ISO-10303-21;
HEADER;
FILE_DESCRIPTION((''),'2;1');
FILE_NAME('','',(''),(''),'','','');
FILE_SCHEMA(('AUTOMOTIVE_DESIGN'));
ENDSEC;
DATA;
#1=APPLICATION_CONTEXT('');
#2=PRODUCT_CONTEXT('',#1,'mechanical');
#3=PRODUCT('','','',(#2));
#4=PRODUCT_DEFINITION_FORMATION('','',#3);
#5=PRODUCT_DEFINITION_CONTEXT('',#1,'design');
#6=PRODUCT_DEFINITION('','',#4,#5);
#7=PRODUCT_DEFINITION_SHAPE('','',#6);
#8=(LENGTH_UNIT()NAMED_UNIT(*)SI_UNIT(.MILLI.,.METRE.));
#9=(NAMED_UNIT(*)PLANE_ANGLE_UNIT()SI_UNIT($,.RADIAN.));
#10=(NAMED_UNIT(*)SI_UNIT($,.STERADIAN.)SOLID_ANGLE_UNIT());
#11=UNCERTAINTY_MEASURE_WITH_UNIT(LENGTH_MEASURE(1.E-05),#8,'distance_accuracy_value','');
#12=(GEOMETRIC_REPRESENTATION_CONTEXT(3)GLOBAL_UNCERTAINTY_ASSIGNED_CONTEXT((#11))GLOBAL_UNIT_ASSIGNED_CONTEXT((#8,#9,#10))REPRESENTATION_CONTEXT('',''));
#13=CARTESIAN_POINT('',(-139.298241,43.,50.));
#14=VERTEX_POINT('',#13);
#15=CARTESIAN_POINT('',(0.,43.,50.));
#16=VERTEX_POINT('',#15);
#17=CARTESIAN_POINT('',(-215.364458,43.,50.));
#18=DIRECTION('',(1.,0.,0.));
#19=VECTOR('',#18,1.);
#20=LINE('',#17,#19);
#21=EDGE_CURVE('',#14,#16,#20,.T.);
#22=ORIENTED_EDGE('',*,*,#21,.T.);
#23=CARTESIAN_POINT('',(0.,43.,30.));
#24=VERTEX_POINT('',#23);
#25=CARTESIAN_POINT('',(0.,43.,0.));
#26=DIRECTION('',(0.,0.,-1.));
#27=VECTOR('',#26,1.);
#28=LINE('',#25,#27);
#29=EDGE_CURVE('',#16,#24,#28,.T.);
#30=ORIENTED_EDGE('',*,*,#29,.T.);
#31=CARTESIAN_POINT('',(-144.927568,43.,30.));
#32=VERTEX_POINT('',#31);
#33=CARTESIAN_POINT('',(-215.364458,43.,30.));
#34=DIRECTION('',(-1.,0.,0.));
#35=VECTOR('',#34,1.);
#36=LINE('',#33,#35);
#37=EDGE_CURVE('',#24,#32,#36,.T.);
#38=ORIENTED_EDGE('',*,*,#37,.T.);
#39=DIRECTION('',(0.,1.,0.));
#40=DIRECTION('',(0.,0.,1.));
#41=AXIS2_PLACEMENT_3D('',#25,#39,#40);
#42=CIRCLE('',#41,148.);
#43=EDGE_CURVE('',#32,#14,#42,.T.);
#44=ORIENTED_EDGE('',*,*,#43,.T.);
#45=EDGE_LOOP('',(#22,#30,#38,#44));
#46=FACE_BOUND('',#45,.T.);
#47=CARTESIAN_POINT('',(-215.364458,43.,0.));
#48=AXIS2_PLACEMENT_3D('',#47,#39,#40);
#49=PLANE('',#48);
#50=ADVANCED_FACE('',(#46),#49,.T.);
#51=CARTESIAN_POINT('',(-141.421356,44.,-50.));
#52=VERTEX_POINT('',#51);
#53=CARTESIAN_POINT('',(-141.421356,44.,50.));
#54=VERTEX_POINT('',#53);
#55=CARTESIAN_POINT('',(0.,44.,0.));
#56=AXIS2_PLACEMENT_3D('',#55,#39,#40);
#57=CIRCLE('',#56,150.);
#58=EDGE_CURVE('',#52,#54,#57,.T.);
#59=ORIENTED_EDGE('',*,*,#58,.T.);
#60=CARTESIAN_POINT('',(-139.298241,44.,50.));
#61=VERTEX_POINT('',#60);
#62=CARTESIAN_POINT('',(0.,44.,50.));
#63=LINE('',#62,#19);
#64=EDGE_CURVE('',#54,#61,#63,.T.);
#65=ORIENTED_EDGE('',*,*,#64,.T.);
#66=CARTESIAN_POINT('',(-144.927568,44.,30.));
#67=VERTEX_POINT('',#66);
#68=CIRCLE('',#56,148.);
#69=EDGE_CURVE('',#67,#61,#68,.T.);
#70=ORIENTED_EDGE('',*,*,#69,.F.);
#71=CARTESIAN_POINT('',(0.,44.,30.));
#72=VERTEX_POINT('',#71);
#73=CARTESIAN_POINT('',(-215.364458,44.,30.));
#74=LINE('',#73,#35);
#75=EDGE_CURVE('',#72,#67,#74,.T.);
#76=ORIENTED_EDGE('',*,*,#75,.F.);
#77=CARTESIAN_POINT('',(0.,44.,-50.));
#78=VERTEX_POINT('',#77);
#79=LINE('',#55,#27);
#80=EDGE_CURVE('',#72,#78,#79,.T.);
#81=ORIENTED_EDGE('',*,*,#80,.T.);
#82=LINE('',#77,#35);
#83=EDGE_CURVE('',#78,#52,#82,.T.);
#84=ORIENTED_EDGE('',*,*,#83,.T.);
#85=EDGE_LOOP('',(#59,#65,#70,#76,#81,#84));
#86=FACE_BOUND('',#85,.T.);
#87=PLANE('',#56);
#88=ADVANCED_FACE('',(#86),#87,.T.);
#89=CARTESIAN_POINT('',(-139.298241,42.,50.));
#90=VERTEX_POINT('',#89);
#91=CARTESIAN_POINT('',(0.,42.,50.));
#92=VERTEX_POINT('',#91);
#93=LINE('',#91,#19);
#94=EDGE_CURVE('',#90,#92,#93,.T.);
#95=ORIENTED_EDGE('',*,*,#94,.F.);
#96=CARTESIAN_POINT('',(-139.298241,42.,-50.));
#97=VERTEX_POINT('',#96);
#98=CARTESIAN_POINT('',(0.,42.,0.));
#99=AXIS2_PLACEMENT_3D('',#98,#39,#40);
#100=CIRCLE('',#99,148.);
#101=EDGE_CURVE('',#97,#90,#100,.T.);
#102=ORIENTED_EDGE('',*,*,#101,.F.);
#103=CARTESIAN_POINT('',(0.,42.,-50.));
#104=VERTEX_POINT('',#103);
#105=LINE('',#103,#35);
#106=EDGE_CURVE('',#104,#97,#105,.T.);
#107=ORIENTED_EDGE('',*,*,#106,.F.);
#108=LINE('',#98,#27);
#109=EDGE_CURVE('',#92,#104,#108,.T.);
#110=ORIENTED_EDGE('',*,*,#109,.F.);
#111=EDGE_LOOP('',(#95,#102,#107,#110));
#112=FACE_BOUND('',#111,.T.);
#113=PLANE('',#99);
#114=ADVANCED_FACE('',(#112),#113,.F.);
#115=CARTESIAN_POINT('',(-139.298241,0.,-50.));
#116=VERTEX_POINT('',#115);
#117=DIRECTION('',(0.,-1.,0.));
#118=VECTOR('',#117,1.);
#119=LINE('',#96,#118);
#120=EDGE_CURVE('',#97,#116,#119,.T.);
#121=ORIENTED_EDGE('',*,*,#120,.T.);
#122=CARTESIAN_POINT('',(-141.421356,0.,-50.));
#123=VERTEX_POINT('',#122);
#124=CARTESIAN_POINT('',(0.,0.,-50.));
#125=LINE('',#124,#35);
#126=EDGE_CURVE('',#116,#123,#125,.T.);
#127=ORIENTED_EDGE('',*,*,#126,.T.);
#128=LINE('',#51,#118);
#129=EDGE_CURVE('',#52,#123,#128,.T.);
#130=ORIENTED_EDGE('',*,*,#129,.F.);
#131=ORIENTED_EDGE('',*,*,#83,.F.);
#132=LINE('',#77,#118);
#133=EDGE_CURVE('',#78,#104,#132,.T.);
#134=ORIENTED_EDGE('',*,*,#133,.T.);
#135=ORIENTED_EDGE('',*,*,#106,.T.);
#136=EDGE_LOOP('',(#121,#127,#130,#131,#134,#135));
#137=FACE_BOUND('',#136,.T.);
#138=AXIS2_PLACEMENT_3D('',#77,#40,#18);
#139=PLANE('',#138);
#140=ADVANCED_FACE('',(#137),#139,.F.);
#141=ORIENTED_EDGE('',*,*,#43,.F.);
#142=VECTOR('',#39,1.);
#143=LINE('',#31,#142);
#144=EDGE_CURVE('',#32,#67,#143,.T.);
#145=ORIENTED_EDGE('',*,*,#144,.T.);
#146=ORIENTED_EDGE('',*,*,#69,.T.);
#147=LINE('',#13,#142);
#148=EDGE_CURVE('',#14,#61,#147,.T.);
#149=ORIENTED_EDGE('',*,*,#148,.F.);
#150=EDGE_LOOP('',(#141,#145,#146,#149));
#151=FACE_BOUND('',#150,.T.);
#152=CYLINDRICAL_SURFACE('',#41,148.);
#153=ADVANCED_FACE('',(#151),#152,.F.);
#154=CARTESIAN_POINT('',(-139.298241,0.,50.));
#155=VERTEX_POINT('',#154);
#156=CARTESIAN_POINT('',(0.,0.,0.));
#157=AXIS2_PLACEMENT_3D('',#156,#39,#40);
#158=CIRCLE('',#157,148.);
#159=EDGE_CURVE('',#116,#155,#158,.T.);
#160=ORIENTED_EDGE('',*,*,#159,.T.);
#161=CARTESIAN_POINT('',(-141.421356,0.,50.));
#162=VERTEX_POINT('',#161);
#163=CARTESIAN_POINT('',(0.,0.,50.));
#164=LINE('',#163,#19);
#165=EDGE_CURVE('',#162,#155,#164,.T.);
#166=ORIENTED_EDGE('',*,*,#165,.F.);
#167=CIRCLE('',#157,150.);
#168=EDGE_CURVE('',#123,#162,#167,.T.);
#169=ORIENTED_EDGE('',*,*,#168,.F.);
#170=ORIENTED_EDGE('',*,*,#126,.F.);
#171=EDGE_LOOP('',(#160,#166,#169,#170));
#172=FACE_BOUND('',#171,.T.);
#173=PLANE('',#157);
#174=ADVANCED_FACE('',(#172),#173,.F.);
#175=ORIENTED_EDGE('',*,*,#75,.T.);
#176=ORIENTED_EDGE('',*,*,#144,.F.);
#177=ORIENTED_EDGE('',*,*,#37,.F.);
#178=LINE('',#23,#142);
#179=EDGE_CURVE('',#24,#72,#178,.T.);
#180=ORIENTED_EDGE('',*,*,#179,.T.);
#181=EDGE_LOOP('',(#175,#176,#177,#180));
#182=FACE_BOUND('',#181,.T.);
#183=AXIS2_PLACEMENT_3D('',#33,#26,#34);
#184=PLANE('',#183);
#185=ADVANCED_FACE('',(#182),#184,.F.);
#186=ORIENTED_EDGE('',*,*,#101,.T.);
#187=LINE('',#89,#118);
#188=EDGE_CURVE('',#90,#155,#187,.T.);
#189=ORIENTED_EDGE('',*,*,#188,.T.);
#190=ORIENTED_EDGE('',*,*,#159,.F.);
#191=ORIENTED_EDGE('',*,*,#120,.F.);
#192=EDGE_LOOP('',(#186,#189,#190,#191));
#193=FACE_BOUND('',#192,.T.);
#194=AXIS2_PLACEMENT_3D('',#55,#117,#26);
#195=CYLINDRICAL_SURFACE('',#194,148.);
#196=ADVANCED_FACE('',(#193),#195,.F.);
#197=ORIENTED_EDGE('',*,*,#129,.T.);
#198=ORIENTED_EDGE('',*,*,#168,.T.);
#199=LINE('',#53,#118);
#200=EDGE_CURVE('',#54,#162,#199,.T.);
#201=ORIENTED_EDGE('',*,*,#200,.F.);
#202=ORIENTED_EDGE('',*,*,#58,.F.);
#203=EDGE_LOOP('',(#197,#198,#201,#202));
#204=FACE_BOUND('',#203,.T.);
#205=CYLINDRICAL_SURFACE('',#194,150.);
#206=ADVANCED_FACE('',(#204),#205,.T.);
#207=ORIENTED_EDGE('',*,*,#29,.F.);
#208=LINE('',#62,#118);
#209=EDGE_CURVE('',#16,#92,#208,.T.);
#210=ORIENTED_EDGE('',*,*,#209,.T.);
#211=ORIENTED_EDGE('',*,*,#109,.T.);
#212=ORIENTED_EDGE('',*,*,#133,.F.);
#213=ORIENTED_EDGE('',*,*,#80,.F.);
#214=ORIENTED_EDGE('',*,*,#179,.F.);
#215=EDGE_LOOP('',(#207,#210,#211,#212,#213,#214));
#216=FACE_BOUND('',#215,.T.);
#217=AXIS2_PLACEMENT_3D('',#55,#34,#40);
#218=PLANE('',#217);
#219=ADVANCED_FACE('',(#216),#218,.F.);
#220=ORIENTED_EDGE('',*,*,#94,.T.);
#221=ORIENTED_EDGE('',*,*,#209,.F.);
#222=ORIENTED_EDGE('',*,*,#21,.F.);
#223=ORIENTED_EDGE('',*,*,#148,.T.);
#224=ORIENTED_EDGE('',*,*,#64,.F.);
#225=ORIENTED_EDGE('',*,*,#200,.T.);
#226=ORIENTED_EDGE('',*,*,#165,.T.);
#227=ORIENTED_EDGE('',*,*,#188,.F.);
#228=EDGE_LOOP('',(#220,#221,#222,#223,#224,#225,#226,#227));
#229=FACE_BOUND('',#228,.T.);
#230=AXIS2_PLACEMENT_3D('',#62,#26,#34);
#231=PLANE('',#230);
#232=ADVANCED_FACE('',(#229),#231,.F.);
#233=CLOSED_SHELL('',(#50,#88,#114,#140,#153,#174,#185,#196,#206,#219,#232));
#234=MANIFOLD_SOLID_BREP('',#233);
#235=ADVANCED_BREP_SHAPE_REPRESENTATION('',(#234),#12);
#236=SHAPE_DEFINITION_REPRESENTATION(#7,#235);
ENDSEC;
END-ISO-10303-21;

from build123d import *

# Parameters (mm, degrees)
BOSS_EXTRUDE1_DEPTH = 44
SHELL1_T            = -2
CUT_EXTRUDE1_START  = -1
CUT_EXTRUDE1_DEPTH  = 1


with BuildPart() as part:
    # Sketch1 → Boss-Extrude1 (new body)
    with BuildSketch(Plane(origin=(0, 0, 0), x_dir=(1, 0, 0), z_dir=(0, 1, 0))):
        with BuildLine():
            Line((0, 0), (0, -50))
            Line((0, -50), (-141.421356237, -50))
            ThreePointArc((-141.421356237, -50), (-150, 0), (-141.421356237, 50))
            Line((-141.421356237, 50), (0, 50))
            Line((0, 50), (0, 0))
        make_face()
    extrude(amount=BOSS_EXTRUDE1_DEPTH)

    # Shell1
    shell1_openings = [part.faces().sort_by_distance(p)[0] for p in [
        (-70.710678119, 22, -50),
        (-73.609024715, 0, 0),
        (0, 22, 0),
        (-70.710678119, 22, 50),
    ]]
    offset(amount=SHELL1_T, openings=shell1_openings, kind=Kind.INTERSECTION)

    # Sketch2 → Cut-Extrude1 (cut)
    with BuildSketch(Plane(origin=(0, 44, 0), x_dir=(-1, 0, 0), z_dir=(0, 1, 0)).offset(CUT_EXTRUDE1_START)):
        with BuildLine():
            ThreePointArc((144.927568116, 30), (142.464303142, 40.098906848), (139.298241195, 50))
            Line((139.298241195, 50), (0, 50))
            Line((0, 50), (0, 30))
            Line((0, 30), (144.927568116, 30))
        make_face()
    extrude(amount=CUT_EXTRUDE1_DEPTH, mode=Mode.SUBTRACT)


solid = part.part
